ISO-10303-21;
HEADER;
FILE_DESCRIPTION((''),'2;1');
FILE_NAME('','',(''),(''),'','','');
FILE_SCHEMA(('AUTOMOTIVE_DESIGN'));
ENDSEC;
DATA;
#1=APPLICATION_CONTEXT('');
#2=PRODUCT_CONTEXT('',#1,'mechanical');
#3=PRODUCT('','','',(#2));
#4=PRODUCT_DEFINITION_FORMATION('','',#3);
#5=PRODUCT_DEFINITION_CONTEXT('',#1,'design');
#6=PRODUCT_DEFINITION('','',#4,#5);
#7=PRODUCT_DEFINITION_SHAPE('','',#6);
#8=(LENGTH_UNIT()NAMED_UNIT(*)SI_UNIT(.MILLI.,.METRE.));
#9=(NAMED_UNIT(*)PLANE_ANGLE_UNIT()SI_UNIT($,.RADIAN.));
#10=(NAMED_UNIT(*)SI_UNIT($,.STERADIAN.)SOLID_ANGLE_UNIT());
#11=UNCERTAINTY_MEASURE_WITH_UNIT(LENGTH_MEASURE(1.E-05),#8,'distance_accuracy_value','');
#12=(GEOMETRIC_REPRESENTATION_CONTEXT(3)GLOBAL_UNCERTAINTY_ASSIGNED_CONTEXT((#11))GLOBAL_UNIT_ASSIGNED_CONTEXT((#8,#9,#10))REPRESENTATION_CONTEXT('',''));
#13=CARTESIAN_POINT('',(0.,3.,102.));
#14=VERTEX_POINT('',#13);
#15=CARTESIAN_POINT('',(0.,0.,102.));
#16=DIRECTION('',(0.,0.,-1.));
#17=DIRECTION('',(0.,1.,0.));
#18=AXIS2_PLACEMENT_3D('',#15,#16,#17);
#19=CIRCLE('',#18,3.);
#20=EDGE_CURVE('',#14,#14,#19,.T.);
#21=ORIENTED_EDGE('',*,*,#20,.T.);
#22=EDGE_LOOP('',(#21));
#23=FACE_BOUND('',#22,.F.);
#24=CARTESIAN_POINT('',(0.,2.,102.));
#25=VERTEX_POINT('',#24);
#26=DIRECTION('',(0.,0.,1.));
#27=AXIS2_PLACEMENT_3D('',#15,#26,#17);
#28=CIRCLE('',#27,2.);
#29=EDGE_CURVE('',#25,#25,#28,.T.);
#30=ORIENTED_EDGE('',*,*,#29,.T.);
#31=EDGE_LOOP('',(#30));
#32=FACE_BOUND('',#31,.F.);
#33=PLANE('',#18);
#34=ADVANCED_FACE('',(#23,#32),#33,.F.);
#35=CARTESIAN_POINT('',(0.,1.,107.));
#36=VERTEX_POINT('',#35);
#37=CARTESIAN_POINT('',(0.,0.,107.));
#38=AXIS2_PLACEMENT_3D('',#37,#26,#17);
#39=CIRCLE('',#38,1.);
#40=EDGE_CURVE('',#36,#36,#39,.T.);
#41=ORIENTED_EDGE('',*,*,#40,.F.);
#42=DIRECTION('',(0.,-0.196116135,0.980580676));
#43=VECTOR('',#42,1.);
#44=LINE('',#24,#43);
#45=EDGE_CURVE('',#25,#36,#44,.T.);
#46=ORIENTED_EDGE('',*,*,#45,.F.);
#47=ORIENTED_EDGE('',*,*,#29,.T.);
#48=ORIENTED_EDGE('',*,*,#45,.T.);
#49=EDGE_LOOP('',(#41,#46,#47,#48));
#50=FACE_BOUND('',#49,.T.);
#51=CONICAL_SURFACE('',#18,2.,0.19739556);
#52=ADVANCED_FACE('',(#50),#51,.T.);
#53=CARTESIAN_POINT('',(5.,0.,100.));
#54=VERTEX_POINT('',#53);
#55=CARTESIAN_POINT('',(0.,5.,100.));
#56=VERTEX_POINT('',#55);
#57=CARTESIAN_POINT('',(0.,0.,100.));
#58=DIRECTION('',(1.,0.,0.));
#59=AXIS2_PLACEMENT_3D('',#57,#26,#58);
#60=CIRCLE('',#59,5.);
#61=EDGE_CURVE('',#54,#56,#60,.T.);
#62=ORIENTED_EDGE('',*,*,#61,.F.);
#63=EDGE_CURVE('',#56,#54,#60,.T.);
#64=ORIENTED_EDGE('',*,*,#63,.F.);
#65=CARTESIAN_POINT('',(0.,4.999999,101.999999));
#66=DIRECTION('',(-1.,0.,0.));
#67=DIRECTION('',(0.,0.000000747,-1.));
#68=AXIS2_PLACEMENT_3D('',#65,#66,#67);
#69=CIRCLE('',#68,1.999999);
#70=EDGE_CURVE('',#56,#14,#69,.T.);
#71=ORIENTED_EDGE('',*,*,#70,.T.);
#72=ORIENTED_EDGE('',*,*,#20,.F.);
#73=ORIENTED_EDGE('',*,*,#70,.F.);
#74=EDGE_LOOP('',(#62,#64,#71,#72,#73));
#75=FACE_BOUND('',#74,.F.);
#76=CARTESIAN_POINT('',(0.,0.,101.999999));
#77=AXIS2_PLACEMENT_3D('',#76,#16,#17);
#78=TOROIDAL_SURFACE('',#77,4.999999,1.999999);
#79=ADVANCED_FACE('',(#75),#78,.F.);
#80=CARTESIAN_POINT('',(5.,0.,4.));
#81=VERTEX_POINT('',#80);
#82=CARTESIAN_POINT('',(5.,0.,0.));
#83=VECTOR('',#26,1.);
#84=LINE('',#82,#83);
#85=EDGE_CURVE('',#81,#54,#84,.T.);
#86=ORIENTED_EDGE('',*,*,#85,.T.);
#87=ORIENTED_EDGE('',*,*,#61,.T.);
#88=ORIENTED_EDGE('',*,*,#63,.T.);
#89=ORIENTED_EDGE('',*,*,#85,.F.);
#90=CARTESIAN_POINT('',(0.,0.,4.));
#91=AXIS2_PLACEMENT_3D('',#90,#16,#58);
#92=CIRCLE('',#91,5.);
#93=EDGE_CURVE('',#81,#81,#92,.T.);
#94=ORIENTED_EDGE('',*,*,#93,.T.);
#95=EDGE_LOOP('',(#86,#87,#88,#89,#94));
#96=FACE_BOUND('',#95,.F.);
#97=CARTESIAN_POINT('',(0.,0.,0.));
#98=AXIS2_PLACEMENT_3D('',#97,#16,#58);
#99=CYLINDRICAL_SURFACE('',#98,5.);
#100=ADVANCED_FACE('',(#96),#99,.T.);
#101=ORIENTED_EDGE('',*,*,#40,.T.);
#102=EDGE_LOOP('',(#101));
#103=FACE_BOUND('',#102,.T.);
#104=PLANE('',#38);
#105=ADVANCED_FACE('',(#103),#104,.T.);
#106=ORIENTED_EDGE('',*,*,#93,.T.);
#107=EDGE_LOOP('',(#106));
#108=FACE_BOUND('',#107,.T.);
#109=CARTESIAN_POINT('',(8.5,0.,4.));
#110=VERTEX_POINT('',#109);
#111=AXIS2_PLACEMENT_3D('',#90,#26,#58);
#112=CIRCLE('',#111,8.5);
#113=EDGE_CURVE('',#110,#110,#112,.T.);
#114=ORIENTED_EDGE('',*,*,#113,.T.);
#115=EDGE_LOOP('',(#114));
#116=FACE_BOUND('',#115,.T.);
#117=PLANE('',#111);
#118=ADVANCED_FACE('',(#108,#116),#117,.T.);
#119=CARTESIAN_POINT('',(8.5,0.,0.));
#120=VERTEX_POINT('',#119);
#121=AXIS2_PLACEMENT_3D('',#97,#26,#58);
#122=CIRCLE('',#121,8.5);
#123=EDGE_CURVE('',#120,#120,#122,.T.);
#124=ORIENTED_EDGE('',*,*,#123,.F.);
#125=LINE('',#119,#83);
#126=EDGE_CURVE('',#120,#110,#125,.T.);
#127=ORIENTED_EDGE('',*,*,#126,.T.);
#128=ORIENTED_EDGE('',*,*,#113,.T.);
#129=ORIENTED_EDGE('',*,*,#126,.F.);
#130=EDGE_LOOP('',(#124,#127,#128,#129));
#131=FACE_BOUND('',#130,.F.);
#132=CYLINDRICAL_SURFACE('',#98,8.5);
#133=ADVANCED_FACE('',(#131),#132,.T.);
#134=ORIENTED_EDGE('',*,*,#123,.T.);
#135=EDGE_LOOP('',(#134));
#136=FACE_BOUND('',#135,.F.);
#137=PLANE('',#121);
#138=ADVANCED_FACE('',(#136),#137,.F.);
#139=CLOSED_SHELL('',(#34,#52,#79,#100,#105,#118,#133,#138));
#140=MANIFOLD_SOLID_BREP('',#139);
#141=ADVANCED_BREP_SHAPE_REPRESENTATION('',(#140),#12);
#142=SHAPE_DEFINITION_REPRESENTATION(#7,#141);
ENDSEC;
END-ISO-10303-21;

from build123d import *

# Parameters (mm, degrees)
F0_R     = 8.5
F1_DEPTH = 4
F2_R     = 5
F3_DEPTH = 100


with BuildPart() as f1:
    # F0 (on Top) → F1 (new body)
    with BuildSketch(Plane.XY):
        Circle(F0_R)
    extrude(amount=F1_DEPTH)

    # F2 (on Top) → F3 (join)
    with BuildSketch(Plane.XY):
        Circle(F2_R)
    extrude(amount=F3_DEPTH)

    # F4 (on Right) → F5 (revolve)
    with BuildSketch(Plane.YZ):
        with BuildLine():
            Line((3, 102), (0, 102))
            Line((0, 102), (0, 100))
            Line((0, 100), (5, 100))
            ThreePointArc((5, 100), (3.585786, 100.585786), (3, 102))
        make_face()
    revolve(axis=Axis((0, 0, 101), (0, 0, -1)))

    # F6 (on Right) → F7 (revolve)
    with BuildSketch(Plane.YZ):
        Polygon((0, 107), (0, 102), (2, 102), (1, 107), align=None)
    revolve(axis=Axis((0, 0, 104.5), (0, 0, 1)))


solid = f1.part
